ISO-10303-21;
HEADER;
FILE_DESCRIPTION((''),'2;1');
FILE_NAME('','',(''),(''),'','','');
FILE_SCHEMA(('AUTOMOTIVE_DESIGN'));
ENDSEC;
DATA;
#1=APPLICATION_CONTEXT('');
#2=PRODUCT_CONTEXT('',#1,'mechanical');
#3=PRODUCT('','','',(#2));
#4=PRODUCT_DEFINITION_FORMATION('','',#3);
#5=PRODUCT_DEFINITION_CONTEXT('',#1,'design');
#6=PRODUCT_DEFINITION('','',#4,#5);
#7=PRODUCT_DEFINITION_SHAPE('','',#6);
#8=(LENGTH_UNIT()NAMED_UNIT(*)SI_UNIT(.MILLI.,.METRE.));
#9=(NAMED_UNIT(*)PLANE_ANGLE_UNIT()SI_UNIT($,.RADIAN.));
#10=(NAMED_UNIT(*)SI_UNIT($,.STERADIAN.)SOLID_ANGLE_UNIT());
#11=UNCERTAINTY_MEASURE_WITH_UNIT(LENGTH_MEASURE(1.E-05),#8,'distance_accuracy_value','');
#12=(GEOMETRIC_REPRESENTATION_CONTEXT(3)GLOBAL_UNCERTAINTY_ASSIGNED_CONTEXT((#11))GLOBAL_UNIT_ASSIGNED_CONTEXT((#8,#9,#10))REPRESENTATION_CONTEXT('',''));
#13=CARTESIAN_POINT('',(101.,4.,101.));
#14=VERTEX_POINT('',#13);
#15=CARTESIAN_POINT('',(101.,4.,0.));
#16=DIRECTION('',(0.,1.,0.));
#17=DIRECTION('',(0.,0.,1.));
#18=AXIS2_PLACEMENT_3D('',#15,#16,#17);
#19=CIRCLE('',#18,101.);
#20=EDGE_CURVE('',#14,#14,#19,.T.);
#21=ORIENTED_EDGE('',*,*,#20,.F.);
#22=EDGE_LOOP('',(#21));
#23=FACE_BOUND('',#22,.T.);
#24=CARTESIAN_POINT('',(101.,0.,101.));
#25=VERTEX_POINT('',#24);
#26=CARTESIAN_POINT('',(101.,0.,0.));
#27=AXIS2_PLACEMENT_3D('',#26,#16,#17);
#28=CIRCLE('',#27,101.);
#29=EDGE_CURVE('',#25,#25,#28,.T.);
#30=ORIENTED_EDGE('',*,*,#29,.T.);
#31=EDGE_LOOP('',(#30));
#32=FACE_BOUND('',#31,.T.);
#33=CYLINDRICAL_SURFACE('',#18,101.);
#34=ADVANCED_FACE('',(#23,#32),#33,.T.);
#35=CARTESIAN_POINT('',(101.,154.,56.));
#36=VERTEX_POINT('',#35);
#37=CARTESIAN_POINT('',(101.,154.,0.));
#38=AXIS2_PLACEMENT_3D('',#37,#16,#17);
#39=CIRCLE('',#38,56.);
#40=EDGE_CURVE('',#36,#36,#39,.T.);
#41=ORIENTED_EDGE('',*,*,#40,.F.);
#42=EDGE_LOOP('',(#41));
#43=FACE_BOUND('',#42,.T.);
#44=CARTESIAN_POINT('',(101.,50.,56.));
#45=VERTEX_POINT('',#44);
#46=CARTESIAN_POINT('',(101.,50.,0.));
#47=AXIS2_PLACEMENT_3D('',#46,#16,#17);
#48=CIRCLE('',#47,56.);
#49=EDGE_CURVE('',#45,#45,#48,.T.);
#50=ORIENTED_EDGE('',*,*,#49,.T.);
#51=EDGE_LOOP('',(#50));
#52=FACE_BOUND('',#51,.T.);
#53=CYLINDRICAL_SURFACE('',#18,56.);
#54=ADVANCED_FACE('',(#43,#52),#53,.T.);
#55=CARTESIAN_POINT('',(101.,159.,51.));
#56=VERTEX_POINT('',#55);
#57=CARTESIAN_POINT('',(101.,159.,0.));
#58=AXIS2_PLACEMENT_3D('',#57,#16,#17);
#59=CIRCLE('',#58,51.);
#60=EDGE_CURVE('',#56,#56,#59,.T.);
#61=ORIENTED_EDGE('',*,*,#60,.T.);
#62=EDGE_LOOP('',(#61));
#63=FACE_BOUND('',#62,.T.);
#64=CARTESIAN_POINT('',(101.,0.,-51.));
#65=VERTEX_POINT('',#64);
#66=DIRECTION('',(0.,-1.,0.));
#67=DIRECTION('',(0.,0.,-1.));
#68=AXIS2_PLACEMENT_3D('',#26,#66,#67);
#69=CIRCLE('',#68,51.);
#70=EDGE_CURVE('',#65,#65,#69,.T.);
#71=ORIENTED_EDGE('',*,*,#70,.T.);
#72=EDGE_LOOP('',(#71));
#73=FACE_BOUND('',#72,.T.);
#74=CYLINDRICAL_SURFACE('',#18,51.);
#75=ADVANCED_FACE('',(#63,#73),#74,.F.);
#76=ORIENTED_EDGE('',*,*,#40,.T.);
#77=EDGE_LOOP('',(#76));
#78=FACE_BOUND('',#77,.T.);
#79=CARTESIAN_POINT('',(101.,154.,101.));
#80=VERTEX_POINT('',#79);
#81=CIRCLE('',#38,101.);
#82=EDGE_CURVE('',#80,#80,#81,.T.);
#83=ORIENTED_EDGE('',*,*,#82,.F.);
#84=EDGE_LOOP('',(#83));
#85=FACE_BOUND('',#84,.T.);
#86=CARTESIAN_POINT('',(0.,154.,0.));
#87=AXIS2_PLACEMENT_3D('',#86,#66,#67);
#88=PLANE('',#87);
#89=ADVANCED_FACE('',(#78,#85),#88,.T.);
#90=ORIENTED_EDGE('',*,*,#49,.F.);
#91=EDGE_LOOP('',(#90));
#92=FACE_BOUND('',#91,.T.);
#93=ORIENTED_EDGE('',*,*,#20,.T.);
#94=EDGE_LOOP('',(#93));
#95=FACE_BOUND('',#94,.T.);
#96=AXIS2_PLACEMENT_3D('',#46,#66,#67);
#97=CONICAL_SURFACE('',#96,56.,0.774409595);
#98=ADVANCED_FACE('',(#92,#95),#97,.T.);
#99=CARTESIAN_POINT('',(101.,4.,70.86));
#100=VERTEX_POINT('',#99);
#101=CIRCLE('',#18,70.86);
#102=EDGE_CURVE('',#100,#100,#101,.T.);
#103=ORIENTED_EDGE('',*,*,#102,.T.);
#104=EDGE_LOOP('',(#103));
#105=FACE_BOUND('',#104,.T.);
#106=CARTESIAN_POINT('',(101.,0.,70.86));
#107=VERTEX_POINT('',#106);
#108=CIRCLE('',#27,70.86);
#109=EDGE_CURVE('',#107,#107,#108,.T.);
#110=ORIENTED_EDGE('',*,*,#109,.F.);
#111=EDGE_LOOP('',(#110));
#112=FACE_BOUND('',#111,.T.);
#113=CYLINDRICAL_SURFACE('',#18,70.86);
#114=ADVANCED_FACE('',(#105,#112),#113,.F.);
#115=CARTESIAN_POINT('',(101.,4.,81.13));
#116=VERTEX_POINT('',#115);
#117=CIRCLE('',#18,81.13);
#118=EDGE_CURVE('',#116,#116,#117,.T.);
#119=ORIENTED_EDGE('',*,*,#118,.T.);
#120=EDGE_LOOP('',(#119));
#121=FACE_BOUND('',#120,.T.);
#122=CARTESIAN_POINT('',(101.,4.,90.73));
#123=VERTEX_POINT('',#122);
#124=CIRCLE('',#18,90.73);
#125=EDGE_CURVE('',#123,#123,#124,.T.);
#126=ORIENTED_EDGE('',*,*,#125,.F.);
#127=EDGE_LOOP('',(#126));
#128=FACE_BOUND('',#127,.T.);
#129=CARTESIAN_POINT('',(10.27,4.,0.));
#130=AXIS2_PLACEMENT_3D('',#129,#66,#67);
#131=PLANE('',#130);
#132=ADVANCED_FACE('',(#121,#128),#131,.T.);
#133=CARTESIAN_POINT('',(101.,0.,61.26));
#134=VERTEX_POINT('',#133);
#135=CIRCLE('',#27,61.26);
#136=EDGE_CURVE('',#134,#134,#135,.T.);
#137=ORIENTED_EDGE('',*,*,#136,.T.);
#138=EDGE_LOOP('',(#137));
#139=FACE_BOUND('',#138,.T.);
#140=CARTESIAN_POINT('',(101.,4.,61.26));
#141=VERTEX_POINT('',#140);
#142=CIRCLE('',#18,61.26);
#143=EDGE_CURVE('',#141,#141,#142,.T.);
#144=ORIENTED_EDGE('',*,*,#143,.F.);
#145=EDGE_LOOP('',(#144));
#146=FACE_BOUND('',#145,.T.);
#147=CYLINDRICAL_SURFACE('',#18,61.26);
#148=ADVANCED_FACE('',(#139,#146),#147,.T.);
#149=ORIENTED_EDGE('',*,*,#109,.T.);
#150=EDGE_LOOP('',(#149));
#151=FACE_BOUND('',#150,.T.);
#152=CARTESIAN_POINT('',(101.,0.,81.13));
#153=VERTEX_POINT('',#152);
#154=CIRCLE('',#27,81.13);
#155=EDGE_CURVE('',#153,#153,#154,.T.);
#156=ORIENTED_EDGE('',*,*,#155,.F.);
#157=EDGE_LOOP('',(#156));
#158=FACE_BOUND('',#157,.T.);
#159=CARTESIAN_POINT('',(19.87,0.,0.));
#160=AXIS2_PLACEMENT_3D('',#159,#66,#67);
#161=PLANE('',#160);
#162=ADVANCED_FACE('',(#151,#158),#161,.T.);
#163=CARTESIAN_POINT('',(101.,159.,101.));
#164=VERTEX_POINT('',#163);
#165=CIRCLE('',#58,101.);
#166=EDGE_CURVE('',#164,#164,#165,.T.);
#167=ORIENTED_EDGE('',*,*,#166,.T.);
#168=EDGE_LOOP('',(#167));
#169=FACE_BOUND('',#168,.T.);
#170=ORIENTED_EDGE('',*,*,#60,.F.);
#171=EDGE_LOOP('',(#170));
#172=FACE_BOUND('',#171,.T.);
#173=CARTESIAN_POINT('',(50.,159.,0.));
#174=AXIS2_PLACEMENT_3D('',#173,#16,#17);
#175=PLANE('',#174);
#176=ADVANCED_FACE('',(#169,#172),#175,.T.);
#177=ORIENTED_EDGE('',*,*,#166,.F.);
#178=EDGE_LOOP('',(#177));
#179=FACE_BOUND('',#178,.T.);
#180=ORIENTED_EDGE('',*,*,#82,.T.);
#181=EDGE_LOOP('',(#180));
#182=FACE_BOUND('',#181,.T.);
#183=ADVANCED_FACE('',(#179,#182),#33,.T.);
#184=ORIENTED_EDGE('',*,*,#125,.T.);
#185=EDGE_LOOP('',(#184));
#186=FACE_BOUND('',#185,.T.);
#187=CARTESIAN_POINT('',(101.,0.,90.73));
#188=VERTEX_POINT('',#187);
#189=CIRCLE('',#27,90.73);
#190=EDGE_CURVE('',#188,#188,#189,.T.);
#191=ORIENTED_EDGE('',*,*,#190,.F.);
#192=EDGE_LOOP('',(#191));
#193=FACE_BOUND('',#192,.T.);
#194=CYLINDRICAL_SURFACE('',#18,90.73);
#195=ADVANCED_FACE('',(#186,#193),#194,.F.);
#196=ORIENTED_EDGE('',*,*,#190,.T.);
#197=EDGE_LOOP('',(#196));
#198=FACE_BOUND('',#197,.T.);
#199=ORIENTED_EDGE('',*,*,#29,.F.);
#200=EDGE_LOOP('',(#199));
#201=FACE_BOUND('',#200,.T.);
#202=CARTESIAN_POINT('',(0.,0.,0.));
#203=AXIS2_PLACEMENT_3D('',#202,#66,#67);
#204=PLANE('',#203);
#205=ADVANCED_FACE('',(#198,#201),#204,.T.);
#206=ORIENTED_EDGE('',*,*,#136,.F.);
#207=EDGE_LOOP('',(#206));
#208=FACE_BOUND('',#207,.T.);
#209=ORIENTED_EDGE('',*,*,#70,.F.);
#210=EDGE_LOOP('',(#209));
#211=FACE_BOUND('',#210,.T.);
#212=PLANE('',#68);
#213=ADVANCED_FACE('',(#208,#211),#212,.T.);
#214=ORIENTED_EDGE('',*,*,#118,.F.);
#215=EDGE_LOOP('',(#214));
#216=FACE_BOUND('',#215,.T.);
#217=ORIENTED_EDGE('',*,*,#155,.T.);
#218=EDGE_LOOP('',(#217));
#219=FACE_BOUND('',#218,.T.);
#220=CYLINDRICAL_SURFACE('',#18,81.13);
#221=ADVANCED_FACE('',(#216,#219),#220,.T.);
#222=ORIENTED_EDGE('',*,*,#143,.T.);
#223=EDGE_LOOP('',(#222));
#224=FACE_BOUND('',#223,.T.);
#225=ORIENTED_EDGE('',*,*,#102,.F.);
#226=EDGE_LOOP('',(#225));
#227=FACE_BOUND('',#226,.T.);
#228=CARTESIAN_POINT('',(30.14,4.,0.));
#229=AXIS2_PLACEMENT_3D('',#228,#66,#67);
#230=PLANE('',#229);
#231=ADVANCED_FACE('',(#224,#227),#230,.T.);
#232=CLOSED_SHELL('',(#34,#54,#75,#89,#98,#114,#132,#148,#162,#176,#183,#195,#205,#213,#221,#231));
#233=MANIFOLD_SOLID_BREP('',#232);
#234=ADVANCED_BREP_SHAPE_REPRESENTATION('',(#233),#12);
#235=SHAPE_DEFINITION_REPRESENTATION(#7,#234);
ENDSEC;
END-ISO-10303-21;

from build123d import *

# Parameters (mm, degrees)
CUT_EXTRUDE1_REACH = 161
SKETCH2_R          = 51


with BuildPart() as part:
    # Sketch1 → Revolve1 (revolve)
    with BuildSketch(Plane.XY):
        Polygon((50, 159), (0, 159), (0, 154), (45, 154), (45, 50), (0, 4), (0, 0), (10.27, 0), (10.27, 4), (19.87, 4), (19.87, 0), (30.14, 0), (30.14, 4), (39.74, 4), (39.74, 0), (50, 0), (101, 0), (101, 4), (50, 4), align=None)
    revolve(axis=Axis((101, 4, 0), (0, -1, 0)))

    # Sketch2 → Cut-Extrude1 (cut, up to next)
    with BuildSketch(Plane.XZ, mode=Mode.PRIVATE) as cut_extrude1_sk1:
        with Locations((101, 0)):
            Circle(SKETCH2_R)
    cut_extrude1_tool1 = extrude(cut_extrude1_sk1.sketch, amount=-CUT_EXTRUDE1_REACH, mode=Mode.PRIVATE) & part.part
    add(cut_extrude1_tool1.solids().sort_by_distance((101, 0, 0))[0], mode=Mode.SUBTRACT)


solid = part.part
